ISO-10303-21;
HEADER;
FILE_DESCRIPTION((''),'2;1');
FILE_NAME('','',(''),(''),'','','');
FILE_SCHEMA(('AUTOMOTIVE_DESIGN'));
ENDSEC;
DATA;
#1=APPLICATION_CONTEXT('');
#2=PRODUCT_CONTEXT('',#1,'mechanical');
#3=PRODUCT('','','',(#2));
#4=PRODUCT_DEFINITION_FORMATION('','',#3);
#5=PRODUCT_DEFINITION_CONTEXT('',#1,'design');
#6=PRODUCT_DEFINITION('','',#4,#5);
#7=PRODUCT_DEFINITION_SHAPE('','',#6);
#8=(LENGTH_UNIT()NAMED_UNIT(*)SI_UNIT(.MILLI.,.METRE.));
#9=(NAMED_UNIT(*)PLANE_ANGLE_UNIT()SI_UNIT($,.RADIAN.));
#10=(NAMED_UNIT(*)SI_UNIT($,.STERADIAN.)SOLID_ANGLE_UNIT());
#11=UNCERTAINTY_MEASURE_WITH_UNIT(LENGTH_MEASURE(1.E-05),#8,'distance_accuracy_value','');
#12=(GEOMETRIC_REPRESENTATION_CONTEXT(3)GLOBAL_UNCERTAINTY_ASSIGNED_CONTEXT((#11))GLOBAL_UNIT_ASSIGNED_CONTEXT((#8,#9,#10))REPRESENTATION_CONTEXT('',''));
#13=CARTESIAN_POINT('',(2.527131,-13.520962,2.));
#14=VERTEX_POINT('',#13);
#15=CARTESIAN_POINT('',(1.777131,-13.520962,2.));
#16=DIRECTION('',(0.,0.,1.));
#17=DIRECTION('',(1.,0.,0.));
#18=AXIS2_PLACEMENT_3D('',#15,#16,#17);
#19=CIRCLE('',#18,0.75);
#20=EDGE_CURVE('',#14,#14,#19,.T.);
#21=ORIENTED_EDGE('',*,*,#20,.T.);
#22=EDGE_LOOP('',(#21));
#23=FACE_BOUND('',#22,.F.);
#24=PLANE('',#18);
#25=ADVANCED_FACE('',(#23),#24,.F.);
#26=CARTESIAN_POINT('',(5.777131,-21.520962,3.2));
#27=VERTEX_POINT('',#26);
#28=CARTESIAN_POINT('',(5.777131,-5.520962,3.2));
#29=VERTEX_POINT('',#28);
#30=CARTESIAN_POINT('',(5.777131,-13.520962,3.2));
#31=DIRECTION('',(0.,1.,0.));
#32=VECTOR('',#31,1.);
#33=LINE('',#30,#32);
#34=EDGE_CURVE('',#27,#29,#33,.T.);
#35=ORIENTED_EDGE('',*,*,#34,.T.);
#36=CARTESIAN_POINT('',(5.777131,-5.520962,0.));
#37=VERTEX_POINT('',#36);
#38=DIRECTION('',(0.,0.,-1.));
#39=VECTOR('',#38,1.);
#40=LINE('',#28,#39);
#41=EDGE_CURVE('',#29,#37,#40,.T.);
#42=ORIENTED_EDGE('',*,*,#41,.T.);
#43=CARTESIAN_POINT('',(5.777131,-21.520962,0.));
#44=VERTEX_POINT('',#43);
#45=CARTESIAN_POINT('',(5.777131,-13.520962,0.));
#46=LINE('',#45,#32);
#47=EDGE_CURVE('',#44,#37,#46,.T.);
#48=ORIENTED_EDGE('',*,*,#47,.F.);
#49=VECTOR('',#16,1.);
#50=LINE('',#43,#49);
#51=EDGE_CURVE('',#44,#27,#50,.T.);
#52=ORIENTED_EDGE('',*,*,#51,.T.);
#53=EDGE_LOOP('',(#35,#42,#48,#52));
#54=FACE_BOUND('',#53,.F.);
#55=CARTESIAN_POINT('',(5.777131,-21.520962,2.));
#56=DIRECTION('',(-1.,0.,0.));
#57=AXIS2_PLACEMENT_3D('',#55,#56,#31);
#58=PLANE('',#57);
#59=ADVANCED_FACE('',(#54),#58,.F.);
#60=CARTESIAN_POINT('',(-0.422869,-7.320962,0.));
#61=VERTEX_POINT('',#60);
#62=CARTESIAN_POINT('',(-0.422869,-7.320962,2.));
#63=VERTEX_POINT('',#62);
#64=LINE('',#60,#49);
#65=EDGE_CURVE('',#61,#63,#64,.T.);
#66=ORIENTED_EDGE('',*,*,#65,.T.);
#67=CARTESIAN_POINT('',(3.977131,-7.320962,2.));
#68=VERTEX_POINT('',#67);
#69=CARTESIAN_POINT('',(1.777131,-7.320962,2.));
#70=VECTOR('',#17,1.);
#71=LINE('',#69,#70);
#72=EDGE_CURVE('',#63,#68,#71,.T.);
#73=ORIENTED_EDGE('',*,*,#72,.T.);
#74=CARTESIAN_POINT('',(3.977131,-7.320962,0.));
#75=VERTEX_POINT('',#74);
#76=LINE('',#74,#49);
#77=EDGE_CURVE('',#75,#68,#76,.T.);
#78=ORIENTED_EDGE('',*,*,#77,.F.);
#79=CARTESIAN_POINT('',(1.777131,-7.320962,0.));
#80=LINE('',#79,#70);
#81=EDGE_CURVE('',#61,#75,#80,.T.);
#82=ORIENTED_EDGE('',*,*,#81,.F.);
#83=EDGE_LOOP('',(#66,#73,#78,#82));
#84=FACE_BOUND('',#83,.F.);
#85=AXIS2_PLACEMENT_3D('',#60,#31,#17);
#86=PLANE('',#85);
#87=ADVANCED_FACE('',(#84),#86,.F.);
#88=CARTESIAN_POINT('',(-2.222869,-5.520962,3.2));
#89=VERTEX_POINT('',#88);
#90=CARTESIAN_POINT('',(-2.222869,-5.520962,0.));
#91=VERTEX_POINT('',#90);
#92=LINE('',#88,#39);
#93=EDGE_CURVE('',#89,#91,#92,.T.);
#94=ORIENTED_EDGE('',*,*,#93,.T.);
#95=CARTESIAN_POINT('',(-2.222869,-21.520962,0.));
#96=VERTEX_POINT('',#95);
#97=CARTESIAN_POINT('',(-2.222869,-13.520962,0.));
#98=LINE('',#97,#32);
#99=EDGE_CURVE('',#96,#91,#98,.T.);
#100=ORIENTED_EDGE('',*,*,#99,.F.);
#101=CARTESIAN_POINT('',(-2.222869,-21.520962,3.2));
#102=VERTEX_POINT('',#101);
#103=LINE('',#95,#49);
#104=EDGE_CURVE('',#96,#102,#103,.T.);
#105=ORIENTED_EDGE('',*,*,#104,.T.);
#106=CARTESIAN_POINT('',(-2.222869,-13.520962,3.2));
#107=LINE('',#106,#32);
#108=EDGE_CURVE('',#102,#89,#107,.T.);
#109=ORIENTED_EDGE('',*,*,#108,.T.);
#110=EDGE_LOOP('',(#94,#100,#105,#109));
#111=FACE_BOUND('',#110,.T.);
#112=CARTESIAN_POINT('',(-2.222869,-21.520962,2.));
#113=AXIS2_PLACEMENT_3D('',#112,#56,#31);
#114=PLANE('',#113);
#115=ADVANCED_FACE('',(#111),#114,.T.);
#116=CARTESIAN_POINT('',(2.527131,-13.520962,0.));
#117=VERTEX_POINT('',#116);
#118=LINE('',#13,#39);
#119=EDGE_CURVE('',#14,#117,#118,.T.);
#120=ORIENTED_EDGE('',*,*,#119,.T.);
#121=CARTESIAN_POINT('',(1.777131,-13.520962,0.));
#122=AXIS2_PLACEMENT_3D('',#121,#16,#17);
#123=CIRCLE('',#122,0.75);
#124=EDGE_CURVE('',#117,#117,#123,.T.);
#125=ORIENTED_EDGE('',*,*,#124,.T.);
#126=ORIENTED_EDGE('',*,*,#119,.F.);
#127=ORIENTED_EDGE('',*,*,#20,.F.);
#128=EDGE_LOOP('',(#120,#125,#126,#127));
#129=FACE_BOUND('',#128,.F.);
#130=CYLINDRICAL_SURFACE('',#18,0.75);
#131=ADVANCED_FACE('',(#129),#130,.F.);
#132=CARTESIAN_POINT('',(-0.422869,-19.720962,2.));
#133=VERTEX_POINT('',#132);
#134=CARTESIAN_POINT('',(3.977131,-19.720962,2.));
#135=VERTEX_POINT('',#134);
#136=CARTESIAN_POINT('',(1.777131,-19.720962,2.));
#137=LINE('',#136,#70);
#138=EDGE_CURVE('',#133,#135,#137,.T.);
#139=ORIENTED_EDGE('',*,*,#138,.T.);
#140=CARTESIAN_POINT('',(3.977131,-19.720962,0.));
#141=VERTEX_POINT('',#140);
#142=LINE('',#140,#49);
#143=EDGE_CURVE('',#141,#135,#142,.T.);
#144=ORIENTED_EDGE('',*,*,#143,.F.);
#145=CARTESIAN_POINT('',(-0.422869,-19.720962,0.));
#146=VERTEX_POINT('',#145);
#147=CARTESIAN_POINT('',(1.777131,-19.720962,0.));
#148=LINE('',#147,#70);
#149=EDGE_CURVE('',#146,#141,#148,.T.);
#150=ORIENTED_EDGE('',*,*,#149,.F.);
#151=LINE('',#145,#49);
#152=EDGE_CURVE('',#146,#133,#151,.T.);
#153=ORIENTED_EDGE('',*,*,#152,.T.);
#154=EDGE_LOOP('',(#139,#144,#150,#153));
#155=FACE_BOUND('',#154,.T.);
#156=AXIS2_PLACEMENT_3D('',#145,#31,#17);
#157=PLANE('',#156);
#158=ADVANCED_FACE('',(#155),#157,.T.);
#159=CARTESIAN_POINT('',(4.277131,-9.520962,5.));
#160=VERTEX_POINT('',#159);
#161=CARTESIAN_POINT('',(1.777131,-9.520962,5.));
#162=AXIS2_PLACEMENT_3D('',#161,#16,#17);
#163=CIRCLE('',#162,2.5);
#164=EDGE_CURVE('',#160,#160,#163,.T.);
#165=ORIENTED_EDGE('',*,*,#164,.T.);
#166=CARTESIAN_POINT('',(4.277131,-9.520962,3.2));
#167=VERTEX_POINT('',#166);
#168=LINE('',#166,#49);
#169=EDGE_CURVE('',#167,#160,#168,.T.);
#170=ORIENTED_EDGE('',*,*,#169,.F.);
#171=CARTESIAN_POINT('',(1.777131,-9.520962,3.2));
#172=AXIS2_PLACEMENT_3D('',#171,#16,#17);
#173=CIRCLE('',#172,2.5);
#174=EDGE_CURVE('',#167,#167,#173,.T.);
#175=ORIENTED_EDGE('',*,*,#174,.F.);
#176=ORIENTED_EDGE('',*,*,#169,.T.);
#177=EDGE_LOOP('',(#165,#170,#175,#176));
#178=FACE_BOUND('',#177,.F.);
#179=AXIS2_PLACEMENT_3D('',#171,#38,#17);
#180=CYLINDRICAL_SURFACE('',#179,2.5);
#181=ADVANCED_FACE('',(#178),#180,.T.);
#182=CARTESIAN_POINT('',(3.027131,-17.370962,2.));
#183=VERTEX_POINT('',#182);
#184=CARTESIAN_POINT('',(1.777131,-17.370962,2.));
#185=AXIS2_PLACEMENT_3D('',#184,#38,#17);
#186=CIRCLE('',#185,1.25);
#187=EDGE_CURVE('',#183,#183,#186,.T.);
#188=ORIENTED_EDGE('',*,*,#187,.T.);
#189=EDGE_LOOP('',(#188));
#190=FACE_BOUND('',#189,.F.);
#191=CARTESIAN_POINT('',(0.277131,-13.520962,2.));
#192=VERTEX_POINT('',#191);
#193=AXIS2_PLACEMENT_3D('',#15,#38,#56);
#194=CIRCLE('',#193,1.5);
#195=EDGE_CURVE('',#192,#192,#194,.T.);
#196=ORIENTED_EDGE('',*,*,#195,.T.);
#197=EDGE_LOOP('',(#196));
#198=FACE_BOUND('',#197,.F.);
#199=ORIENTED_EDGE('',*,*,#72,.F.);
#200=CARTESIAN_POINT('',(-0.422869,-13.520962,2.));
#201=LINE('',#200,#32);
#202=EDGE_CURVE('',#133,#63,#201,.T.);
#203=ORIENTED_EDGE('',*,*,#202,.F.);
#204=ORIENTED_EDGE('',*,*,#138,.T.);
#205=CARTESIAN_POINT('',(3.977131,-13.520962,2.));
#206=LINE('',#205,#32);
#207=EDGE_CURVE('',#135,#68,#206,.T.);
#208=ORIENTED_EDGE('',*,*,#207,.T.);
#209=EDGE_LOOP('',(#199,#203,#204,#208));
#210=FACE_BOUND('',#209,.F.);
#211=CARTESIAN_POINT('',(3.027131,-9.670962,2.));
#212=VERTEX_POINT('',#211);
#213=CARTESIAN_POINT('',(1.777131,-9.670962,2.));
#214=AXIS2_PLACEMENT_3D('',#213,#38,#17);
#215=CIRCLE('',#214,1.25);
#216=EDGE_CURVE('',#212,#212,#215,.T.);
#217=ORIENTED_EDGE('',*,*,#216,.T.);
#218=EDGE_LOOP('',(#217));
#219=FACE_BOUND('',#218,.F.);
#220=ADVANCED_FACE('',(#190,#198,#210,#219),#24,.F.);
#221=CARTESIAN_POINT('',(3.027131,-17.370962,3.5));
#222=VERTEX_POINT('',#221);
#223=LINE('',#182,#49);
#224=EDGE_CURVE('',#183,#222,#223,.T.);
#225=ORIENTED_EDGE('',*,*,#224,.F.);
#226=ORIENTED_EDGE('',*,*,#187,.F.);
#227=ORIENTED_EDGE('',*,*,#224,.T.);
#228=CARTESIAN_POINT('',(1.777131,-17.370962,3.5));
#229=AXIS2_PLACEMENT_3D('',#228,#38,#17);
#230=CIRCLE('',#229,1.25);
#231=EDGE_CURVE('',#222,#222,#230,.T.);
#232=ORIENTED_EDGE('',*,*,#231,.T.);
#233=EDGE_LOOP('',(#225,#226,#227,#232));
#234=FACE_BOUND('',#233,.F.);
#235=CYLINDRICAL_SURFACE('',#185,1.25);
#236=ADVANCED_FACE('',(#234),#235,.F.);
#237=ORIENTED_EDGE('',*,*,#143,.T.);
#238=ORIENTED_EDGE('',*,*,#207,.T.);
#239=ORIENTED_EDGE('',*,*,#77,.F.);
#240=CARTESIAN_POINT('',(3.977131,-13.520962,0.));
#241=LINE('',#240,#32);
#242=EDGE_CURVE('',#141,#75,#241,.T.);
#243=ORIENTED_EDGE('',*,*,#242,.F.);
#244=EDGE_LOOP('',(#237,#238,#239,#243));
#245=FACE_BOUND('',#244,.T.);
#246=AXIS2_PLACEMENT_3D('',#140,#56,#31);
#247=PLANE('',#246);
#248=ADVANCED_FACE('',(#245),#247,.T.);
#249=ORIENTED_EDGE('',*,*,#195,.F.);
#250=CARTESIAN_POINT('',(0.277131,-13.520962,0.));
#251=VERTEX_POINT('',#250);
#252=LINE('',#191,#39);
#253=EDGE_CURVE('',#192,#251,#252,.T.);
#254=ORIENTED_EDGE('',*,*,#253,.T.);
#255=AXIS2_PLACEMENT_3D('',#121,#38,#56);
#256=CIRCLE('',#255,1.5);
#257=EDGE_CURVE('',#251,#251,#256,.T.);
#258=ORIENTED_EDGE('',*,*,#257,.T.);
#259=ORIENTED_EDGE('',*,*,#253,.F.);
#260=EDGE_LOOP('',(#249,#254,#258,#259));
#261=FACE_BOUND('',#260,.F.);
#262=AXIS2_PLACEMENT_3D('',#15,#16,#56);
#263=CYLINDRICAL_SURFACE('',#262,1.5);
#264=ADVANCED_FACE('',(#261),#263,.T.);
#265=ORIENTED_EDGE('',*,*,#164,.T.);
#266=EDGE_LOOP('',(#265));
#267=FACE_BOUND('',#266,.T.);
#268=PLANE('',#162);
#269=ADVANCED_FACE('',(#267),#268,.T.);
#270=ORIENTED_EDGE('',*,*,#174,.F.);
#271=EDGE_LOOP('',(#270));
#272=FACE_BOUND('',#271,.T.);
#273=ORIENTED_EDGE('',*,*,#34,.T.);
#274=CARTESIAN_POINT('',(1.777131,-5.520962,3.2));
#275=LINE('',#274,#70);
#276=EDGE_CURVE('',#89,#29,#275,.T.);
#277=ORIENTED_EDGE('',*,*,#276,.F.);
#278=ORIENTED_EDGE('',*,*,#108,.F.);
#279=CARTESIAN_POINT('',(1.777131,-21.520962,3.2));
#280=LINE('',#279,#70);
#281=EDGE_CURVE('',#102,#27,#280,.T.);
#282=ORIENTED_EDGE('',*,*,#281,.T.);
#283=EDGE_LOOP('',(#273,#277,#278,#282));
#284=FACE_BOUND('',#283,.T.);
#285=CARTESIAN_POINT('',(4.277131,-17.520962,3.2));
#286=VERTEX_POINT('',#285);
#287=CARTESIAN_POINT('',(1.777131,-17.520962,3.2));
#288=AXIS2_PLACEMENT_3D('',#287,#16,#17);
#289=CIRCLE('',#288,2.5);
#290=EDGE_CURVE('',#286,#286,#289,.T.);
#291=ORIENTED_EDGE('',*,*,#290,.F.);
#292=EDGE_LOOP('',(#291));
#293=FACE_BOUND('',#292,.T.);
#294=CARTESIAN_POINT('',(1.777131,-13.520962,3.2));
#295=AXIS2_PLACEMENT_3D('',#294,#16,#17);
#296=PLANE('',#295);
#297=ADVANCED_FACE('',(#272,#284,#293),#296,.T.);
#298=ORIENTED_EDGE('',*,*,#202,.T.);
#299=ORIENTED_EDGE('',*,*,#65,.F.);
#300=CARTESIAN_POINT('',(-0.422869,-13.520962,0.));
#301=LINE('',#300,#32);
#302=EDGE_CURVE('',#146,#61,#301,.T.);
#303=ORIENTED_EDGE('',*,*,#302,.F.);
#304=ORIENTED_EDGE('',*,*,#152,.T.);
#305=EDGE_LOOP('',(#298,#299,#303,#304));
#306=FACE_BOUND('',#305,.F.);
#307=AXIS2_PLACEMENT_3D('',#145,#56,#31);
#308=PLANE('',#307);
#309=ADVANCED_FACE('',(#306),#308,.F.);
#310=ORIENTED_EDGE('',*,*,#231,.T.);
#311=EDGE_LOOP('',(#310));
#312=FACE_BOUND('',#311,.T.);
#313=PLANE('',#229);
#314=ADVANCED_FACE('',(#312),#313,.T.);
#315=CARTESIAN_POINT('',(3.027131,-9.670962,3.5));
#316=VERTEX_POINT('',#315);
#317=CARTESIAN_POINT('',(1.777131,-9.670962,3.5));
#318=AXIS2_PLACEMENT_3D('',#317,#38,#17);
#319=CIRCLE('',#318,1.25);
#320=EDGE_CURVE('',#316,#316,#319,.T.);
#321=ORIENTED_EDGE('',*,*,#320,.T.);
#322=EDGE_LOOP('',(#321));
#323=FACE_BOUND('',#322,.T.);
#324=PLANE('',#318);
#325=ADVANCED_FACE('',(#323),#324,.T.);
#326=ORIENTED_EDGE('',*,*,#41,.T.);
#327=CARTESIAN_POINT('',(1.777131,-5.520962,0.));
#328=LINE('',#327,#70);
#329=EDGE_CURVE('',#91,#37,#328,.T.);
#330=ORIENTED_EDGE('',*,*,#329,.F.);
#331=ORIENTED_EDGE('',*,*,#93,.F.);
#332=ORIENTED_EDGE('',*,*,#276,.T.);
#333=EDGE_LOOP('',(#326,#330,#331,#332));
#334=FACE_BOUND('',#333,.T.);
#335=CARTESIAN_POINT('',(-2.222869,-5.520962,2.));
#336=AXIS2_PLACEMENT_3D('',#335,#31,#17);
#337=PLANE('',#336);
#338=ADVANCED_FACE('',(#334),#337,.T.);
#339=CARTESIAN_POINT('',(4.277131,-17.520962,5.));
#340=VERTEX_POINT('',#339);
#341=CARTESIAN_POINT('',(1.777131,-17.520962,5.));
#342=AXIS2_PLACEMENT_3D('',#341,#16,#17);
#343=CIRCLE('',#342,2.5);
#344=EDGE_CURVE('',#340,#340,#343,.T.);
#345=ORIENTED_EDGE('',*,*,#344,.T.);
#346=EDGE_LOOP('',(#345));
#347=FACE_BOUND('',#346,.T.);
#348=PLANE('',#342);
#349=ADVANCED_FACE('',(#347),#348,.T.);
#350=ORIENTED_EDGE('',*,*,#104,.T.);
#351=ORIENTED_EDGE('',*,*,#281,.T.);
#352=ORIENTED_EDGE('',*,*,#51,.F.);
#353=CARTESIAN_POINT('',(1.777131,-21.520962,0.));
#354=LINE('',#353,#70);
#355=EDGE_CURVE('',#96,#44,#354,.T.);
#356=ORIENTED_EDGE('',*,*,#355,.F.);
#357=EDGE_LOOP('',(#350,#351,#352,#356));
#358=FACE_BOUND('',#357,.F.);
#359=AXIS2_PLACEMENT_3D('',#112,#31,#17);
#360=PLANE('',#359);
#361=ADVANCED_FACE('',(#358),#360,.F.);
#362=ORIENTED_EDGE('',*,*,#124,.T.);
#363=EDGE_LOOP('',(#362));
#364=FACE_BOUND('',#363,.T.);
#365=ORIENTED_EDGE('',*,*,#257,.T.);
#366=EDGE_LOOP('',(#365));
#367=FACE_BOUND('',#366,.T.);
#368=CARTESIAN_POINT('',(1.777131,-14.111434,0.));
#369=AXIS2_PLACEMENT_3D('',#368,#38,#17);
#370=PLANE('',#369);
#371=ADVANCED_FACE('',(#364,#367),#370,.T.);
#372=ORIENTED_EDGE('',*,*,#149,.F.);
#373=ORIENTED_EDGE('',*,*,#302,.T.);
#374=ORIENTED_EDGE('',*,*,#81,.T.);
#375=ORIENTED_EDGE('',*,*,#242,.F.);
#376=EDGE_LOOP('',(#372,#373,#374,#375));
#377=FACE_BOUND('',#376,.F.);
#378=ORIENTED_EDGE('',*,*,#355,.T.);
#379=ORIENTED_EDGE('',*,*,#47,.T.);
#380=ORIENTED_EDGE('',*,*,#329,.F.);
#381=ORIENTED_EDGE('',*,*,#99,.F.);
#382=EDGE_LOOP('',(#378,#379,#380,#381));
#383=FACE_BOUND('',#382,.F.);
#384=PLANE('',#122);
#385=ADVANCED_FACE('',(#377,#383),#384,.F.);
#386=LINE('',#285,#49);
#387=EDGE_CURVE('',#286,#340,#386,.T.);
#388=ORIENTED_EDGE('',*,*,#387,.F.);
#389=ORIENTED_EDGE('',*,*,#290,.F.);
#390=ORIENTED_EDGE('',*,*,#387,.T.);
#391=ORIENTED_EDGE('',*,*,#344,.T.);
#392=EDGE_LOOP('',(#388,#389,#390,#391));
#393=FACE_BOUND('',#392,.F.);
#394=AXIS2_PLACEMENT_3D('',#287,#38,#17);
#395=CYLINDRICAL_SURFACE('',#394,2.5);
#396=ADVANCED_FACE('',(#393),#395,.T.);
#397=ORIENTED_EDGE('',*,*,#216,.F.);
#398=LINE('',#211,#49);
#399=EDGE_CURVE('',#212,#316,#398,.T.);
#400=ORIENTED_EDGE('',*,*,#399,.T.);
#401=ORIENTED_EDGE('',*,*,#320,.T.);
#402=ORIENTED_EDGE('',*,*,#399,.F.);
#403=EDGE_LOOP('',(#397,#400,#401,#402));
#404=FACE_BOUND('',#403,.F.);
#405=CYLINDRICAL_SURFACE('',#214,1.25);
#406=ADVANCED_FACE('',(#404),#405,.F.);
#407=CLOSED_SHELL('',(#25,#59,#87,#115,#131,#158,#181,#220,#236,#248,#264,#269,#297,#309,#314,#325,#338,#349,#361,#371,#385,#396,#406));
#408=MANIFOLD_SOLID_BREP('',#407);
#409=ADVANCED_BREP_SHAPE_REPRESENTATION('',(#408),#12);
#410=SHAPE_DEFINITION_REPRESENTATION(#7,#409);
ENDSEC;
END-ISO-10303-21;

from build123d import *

# Parameters (mm, degrees)
F0_W     = 8
F0_H     = 16
F0_W_2   = 4.4
F0_H_2   = 12.4
F1_DEPTH = 2
F2_W     = 8
F2_H     = 16
F3_DEPTH = 1.2
F4_R     = 2.5
F5_DEPTH = 1.8
F7_DEPTH = 2
F8_R     = 1.25
F9_DEPTH = 1.5


with BuildPart() as f1:
    # F0 (on Top) → F1 (new body)
    with BuildSketch(Plane.XY):
        with Locations((1.777131, -13.520962)):
            Rectangle(F0_W, F0_H)
        with Locations((1.777131, -13.520962)):
            Rectangle(F0_W_2, F0_H_2, mode=Mode.SUBTRACT)
    extrude(amount=F1_DEPTH)

    # F2 (on face) → F3 (join)
    with BuildSketch(Plane.XY.offset(2)):
        with Locations((1.777131, -13.520962)):
            Rectangle(F2_W, F2_H)
    extrude(amount=F3_DEPTH)

    # F4 (on face) → F5 (join)
    with BuildSketch(Plane.XY.offset(3.2)):
        with Locations((1.777131, -9.520962)):
            Circle(F4_R)
        with Locations((1.777131, -17.520962)):
            Circle(F4_R)
    extrude(amount=F5_DEPTH)

    # F6 (on face) → F7 (join)
    with BuildSketch(Plane(origin=(0, 0, 2), x_dir=(1, 0, 0), z_dir=(0, 0, -1))):
        with BuildLine():
            ThreePointArc((1.027131, 13.520962), (1.777131, 14.270962), (2.527131, 13.520962))
            Line((2.527131, 13.520962), (3.277131, 13.520962))
            ThreePointArc((3.277131, 13.520962), (1.777131, 15.020962), (0.277131, 13.520962))
            Line((0.277131, 13.520962), (1.027131, 13.520962))
        make_face()
        with BuildLine():
            Line((3.277131, 13.520962), (2.527131, 13.520962))
            ThreePointArc((2.527131, 13.520962), (1.777131, 12.770962), (1.027131, 13.520962))
            Line((1.027131, 13.520962), (0.277131, 13.520962))
            ThreePointArc((0.277131, 13.520962), (1.777131, 12.020962), (3.277131, 13.520962))
        make_face()
    extrude(amount=F7_DEPTH)

    # F8 (on face) → F9 (cut)
    with BuildSketch(Plane(origin=(0, 0, 2), x_dir=(1, 0, 0), z_dir=(0, 0, -1))):
        with Locations((1.777131, 17.370962)):
            Circle(F8_R)
        with Locations((1.777131, 9.670962)):
            Circle(F8_R)
    extrude(amount=-F9_DEPTH, mode=Mode.SUBTRACT)


solid = f1.part
